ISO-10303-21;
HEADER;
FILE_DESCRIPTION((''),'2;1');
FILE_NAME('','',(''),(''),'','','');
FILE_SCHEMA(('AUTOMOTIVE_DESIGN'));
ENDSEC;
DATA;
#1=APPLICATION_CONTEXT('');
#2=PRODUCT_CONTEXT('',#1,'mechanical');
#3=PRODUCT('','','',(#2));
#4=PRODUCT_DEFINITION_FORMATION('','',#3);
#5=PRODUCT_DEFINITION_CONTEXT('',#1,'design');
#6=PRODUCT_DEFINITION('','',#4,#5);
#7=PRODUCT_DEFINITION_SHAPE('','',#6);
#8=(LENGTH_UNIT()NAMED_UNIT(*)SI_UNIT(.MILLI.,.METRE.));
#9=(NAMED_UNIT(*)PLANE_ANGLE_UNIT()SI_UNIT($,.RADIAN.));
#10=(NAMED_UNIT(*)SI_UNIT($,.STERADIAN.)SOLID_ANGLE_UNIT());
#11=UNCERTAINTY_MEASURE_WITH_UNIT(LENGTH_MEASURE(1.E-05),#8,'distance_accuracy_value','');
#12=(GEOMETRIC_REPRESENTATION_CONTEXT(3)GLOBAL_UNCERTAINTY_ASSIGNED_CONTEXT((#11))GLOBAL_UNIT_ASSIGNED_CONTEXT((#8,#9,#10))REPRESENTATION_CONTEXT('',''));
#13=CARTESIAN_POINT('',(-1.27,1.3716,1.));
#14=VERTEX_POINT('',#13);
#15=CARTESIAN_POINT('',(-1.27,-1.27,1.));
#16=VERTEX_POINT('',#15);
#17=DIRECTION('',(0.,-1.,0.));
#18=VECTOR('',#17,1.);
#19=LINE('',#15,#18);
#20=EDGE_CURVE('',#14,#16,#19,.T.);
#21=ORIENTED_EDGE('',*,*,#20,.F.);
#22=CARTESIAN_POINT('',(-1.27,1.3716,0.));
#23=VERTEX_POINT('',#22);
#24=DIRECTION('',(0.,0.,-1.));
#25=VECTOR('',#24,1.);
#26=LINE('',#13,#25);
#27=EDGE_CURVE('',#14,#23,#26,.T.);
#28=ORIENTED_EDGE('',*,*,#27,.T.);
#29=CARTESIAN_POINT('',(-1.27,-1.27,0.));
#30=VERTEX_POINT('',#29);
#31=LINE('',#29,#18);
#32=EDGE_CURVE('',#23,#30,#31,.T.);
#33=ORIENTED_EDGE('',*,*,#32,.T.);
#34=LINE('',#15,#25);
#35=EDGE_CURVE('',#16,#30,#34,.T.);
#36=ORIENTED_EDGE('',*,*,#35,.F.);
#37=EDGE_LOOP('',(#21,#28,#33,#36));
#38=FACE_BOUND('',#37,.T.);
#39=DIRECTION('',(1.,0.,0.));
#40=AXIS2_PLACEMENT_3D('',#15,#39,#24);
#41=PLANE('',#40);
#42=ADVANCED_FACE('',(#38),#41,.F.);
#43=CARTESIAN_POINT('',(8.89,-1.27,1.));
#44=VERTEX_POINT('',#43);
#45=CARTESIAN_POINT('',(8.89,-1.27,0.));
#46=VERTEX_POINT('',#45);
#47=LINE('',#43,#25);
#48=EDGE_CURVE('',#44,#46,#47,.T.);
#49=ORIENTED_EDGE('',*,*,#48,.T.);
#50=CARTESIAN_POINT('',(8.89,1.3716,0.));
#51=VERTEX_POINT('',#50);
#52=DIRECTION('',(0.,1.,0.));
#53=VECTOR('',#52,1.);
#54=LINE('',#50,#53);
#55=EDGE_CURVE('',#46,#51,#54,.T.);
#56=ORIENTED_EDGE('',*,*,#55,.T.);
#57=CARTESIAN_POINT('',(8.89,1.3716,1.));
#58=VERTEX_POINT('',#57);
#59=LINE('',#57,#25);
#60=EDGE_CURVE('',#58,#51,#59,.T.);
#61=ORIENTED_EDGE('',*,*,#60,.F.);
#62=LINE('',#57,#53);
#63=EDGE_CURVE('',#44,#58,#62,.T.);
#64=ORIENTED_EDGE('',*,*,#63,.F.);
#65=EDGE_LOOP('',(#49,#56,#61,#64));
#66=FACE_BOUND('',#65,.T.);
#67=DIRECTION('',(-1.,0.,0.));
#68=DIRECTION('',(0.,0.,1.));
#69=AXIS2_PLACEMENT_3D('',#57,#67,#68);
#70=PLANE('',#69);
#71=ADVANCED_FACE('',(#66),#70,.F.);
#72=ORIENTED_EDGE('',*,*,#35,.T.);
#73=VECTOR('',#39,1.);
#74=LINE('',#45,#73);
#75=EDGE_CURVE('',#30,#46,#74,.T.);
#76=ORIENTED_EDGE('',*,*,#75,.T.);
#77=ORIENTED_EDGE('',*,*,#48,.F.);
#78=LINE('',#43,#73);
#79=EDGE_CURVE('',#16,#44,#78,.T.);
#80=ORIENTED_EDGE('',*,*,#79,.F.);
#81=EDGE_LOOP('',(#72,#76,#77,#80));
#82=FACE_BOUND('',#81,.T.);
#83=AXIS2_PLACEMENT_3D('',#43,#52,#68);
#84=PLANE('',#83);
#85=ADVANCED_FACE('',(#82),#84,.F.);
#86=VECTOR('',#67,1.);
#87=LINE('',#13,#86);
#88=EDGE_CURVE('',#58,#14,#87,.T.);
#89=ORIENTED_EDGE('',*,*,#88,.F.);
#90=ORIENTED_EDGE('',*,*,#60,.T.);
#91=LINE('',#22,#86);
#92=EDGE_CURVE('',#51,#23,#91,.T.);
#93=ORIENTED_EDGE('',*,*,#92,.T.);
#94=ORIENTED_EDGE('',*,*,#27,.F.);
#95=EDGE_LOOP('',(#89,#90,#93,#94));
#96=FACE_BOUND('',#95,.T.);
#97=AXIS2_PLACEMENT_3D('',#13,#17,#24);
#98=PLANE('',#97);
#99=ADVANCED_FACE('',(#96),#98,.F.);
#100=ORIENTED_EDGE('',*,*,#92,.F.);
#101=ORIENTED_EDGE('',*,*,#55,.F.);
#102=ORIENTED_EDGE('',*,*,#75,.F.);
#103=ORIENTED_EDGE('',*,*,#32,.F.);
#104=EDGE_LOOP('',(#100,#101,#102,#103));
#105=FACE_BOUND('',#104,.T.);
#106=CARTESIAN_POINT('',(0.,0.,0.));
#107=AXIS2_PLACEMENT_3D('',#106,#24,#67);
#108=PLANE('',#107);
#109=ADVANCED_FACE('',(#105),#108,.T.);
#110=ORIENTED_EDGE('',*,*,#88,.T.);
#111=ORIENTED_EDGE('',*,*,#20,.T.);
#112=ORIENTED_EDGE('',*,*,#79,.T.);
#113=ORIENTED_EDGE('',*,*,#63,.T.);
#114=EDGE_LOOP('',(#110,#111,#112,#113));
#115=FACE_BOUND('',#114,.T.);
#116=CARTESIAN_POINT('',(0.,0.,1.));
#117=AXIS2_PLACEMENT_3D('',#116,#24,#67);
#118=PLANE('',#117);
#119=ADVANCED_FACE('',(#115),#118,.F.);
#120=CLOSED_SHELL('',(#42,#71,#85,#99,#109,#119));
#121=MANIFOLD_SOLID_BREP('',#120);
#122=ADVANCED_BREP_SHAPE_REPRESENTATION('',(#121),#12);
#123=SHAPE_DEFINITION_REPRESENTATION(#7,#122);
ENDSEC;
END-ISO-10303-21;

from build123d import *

# Parameters (mm, degrees)
ESQUISSE1_W             = 10.16
ESQUISSE1_H             = 2.6416
COMPONENT_OUTLINE_DEPTH = 1


with BuildPart() as part:
    # Esquisse1 → Component_Outline (new body)
    with BuildSketch(Plane.XY):
        with Locations((3.81, 0.0508)):
            Rectangle(ESQUISSE1_W, ESQUISSE1_H)
    extrude(amount=COMPONENT_OUTLINE_DEPTH)


solid = part.part
